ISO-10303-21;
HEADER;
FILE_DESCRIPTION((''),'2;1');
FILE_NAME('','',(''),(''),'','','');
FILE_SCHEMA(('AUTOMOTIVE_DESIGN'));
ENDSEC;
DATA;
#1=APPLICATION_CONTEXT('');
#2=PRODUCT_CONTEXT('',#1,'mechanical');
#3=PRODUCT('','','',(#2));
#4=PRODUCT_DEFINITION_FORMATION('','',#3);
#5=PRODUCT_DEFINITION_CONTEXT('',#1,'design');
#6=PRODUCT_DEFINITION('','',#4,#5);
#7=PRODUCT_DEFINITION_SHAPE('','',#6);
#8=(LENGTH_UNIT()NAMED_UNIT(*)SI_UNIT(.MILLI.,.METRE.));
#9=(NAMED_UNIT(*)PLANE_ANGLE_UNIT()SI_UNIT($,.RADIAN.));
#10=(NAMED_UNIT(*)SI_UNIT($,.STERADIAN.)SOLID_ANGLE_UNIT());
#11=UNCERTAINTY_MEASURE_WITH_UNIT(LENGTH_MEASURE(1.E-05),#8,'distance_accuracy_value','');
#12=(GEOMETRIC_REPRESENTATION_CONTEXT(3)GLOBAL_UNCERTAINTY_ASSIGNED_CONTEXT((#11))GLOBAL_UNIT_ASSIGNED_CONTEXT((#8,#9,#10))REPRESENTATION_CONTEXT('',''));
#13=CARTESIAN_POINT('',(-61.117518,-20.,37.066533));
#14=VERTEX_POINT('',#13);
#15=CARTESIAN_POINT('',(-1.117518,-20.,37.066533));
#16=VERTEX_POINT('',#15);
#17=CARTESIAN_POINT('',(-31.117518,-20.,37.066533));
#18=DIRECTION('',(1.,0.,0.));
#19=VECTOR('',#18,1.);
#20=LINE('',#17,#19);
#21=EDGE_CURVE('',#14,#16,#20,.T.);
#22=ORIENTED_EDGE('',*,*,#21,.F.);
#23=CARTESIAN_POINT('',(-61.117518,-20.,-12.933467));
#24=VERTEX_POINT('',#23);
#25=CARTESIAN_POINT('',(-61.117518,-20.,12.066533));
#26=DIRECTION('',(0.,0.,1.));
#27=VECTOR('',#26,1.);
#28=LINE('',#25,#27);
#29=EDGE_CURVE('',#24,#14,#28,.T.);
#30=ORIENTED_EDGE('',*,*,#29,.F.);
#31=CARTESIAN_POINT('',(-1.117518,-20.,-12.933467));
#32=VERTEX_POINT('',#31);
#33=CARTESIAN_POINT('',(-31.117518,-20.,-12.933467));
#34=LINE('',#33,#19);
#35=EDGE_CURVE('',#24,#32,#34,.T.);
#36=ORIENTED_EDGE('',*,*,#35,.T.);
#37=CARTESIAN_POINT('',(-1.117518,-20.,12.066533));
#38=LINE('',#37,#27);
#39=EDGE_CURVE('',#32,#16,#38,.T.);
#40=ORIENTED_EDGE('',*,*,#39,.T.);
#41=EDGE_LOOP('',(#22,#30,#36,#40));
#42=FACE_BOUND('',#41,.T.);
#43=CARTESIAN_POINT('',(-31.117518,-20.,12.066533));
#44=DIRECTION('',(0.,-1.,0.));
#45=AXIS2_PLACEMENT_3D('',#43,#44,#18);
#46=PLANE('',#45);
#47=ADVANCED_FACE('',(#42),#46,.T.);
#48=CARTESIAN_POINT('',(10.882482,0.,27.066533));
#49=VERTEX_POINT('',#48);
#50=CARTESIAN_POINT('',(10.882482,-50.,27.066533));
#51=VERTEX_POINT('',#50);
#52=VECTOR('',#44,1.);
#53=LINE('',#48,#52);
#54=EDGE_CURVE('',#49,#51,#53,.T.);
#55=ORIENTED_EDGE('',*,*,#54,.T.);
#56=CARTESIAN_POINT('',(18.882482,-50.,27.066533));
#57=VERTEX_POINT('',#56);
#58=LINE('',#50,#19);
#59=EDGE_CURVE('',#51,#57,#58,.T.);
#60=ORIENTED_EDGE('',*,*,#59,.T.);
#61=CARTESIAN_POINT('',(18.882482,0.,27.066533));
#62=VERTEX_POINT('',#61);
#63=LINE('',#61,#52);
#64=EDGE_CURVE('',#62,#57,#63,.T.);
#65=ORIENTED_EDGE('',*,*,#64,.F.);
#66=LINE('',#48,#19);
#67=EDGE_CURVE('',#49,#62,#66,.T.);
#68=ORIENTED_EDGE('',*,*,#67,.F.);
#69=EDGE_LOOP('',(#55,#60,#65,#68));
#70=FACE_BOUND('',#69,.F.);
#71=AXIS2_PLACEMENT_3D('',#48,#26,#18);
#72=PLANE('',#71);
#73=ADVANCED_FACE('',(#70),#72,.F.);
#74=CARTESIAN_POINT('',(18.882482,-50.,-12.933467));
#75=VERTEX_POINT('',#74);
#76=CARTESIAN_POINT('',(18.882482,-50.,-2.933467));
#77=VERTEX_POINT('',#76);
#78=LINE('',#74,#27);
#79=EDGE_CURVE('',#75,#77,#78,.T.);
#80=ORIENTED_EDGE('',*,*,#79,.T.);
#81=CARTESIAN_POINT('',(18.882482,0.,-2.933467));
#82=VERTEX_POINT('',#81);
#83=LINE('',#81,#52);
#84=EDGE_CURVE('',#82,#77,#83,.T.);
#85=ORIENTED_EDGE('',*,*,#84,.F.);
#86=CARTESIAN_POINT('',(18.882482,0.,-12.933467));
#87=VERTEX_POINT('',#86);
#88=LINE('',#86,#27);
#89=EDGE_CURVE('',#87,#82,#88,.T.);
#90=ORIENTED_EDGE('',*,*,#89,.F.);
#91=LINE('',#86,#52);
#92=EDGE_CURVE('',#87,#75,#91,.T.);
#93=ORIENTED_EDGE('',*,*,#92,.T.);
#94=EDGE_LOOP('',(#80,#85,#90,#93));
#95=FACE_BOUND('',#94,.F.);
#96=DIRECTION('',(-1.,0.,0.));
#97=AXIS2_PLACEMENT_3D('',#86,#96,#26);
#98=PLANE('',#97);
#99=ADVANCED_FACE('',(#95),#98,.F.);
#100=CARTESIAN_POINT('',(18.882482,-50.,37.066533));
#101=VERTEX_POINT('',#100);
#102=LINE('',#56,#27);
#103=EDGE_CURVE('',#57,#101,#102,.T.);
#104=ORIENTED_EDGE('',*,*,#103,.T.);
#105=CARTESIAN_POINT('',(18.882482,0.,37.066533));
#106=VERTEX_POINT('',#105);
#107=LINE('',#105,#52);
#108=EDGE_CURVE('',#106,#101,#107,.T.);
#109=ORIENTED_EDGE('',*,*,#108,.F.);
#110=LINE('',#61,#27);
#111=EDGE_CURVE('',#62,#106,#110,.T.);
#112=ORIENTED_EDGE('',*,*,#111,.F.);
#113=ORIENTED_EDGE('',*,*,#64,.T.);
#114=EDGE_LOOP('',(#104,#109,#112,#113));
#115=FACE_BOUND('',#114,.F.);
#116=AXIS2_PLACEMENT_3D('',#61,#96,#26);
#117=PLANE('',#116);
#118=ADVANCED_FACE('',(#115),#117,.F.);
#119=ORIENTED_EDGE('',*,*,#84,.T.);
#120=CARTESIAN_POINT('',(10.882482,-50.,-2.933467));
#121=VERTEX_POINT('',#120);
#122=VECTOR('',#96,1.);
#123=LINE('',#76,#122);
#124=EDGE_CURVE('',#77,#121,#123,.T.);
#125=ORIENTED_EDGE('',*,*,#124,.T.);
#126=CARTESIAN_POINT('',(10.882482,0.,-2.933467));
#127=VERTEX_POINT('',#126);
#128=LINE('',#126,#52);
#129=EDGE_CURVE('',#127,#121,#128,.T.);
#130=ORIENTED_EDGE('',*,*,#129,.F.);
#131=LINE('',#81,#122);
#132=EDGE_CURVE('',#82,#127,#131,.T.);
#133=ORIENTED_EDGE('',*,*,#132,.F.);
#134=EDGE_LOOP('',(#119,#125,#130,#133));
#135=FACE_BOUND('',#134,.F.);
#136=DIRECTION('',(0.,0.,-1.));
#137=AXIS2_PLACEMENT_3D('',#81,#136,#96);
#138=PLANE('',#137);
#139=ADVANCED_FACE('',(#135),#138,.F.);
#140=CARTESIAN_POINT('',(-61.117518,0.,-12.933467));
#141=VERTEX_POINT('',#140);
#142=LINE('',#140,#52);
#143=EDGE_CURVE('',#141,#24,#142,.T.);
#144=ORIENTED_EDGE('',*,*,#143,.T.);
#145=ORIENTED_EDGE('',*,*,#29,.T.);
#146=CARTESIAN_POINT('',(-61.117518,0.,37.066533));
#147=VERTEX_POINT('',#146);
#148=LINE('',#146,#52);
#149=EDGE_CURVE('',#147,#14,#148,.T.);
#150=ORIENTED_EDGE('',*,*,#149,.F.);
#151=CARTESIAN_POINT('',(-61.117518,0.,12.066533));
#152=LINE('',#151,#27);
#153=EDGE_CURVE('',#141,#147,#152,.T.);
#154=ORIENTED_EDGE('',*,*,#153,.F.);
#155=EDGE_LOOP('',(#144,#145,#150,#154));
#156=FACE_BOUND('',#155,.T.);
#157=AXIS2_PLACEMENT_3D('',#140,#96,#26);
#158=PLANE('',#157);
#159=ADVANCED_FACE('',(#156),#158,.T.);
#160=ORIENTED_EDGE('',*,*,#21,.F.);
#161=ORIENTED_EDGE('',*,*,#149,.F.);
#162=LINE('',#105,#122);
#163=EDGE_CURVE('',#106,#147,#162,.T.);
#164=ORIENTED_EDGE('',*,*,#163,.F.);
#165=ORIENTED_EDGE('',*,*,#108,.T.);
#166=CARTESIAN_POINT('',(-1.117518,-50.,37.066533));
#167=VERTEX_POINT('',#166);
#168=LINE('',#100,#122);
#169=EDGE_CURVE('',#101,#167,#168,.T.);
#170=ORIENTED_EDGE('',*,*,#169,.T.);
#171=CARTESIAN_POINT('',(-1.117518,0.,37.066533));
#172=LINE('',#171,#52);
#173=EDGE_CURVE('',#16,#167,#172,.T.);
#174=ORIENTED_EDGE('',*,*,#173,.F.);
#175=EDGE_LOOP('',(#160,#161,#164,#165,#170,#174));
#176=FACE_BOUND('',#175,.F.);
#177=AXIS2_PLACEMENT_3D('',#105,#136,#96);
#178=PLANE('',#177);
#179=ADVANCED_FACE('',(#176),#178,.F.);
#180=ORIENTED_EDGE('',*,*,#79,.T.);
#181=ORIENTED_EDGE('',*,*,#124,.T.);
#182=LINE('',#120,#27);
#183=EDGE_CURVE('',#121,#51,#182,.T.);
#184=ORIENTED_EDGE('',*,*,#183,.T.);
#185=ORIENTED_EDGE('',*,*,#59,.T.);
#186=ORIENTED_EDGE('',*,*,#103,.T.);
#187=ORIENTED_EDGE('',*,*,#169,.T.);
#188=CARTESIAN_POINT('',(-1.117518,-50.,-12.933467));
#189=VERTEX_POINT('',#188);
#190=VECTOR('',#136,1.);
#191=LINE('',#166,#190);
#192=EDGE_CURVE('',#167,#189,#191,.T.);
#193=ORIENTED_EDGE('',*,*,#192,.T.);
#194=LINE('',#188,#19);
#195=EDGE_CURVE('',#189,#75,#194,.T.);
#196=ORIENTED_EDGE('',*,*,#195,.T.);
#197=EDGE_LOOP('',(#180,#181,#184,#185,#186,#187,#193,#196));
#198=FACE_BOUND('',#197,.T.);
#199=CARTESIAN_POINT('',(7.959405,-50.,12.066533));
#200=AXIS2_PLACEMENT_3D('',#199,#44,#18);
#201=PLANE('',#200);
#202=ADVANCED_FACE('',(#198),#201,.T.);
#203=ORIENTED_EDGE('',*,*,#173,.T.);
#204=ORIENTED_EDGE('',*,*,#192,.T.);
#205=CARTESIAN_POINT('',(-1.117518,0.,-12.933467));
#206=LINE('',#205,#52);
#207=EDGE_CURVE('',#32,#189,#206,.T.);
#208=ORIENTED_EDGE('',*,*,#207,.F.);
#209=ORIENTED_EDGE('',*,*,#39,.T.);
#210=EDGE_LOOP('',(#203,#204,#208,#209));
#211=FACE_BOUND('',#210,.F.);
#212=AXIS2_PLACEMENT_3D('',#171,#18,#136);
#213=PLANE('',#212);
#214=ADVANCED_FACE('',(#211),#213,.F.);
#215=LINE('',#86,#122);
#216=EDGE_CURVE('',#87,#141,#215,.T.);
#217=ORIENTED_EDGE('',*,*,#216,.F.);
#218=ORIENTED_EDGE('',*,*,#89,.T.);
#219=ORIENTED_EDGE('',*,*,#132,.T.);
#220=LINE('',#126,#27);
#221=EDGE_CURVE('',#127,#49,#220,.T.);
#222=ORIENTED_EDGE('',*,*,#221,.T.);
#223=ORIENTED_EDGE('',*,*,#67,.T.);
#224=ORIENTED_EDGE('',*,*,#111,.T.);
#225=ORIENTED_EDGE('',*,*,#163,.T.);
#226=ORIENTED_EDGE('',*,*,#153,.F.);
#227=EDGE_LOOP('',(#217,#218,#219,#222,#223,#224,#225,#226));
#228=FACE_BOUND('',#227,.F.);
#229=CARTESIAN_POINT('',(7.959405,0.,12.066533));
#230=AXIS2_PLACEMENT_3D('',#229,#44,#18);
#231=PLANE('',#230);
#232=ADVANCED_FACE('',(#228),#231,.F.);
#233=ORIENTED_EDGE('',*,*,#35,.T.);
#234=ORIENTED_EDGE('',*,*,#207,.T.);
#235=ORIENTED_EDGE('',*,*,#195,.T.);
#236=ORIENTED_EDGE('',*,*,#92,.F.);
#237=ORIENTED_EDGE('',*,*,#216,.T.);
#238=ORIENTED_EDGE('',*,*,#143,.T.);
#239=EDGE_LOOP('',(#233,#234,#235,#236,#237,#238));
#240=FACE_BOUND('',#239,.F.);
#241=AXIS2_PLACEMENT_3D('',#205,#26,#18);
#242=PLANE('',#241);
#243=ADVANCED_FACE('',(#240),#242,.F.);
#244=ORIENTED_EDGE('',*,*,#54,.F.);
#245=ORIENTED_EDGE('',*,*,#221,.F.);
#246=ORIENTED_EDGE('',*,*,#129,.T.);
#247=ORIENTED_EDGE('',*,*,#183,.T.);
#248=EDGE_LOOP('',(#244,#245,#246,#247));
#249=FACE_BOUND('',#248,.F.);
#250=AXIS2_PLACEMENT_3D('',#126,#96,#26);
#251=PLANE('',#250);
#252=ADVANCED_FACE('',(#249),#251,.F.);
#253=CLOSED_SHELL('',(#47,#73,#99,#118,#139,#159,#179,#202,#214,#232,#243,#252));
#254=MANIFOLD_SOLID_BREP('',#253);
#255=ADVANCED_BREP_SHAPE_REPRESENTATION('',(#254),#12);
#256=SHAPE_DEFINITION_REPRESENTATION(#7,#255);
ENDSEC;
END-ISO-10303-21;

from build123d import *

# Parameters (mm, degrees)
F0_W     = 60
F0_H     = 50
F1_DEPTH = 20
F2_DEPTH = 50


with BuildPart() as f1:
    # F0 (on Front) → F1 (new body)
    with BuildSketch(Plane.XZ):
        with Locations((-31.117518, 12.066533)):
            Rectangle(F0_W, F0_H)
    extrude(amount=F1_DEPTH)

    # F0 (on Front) → F2 (join)
    with BuildSketch(Plane.XZ):
        Polygon((18.882482, 37.066533), (-1.117518, 37.066533), (-1.117518, -12.933467), (18.882482, -12.933467), (18.882482, -2.933467), (10.882482, -2.933467), (10.882482, 27.066533), (18.882482, 27.066533), align=None)
    extrude(amount=F2_DEPTH)


solid = f1.part
